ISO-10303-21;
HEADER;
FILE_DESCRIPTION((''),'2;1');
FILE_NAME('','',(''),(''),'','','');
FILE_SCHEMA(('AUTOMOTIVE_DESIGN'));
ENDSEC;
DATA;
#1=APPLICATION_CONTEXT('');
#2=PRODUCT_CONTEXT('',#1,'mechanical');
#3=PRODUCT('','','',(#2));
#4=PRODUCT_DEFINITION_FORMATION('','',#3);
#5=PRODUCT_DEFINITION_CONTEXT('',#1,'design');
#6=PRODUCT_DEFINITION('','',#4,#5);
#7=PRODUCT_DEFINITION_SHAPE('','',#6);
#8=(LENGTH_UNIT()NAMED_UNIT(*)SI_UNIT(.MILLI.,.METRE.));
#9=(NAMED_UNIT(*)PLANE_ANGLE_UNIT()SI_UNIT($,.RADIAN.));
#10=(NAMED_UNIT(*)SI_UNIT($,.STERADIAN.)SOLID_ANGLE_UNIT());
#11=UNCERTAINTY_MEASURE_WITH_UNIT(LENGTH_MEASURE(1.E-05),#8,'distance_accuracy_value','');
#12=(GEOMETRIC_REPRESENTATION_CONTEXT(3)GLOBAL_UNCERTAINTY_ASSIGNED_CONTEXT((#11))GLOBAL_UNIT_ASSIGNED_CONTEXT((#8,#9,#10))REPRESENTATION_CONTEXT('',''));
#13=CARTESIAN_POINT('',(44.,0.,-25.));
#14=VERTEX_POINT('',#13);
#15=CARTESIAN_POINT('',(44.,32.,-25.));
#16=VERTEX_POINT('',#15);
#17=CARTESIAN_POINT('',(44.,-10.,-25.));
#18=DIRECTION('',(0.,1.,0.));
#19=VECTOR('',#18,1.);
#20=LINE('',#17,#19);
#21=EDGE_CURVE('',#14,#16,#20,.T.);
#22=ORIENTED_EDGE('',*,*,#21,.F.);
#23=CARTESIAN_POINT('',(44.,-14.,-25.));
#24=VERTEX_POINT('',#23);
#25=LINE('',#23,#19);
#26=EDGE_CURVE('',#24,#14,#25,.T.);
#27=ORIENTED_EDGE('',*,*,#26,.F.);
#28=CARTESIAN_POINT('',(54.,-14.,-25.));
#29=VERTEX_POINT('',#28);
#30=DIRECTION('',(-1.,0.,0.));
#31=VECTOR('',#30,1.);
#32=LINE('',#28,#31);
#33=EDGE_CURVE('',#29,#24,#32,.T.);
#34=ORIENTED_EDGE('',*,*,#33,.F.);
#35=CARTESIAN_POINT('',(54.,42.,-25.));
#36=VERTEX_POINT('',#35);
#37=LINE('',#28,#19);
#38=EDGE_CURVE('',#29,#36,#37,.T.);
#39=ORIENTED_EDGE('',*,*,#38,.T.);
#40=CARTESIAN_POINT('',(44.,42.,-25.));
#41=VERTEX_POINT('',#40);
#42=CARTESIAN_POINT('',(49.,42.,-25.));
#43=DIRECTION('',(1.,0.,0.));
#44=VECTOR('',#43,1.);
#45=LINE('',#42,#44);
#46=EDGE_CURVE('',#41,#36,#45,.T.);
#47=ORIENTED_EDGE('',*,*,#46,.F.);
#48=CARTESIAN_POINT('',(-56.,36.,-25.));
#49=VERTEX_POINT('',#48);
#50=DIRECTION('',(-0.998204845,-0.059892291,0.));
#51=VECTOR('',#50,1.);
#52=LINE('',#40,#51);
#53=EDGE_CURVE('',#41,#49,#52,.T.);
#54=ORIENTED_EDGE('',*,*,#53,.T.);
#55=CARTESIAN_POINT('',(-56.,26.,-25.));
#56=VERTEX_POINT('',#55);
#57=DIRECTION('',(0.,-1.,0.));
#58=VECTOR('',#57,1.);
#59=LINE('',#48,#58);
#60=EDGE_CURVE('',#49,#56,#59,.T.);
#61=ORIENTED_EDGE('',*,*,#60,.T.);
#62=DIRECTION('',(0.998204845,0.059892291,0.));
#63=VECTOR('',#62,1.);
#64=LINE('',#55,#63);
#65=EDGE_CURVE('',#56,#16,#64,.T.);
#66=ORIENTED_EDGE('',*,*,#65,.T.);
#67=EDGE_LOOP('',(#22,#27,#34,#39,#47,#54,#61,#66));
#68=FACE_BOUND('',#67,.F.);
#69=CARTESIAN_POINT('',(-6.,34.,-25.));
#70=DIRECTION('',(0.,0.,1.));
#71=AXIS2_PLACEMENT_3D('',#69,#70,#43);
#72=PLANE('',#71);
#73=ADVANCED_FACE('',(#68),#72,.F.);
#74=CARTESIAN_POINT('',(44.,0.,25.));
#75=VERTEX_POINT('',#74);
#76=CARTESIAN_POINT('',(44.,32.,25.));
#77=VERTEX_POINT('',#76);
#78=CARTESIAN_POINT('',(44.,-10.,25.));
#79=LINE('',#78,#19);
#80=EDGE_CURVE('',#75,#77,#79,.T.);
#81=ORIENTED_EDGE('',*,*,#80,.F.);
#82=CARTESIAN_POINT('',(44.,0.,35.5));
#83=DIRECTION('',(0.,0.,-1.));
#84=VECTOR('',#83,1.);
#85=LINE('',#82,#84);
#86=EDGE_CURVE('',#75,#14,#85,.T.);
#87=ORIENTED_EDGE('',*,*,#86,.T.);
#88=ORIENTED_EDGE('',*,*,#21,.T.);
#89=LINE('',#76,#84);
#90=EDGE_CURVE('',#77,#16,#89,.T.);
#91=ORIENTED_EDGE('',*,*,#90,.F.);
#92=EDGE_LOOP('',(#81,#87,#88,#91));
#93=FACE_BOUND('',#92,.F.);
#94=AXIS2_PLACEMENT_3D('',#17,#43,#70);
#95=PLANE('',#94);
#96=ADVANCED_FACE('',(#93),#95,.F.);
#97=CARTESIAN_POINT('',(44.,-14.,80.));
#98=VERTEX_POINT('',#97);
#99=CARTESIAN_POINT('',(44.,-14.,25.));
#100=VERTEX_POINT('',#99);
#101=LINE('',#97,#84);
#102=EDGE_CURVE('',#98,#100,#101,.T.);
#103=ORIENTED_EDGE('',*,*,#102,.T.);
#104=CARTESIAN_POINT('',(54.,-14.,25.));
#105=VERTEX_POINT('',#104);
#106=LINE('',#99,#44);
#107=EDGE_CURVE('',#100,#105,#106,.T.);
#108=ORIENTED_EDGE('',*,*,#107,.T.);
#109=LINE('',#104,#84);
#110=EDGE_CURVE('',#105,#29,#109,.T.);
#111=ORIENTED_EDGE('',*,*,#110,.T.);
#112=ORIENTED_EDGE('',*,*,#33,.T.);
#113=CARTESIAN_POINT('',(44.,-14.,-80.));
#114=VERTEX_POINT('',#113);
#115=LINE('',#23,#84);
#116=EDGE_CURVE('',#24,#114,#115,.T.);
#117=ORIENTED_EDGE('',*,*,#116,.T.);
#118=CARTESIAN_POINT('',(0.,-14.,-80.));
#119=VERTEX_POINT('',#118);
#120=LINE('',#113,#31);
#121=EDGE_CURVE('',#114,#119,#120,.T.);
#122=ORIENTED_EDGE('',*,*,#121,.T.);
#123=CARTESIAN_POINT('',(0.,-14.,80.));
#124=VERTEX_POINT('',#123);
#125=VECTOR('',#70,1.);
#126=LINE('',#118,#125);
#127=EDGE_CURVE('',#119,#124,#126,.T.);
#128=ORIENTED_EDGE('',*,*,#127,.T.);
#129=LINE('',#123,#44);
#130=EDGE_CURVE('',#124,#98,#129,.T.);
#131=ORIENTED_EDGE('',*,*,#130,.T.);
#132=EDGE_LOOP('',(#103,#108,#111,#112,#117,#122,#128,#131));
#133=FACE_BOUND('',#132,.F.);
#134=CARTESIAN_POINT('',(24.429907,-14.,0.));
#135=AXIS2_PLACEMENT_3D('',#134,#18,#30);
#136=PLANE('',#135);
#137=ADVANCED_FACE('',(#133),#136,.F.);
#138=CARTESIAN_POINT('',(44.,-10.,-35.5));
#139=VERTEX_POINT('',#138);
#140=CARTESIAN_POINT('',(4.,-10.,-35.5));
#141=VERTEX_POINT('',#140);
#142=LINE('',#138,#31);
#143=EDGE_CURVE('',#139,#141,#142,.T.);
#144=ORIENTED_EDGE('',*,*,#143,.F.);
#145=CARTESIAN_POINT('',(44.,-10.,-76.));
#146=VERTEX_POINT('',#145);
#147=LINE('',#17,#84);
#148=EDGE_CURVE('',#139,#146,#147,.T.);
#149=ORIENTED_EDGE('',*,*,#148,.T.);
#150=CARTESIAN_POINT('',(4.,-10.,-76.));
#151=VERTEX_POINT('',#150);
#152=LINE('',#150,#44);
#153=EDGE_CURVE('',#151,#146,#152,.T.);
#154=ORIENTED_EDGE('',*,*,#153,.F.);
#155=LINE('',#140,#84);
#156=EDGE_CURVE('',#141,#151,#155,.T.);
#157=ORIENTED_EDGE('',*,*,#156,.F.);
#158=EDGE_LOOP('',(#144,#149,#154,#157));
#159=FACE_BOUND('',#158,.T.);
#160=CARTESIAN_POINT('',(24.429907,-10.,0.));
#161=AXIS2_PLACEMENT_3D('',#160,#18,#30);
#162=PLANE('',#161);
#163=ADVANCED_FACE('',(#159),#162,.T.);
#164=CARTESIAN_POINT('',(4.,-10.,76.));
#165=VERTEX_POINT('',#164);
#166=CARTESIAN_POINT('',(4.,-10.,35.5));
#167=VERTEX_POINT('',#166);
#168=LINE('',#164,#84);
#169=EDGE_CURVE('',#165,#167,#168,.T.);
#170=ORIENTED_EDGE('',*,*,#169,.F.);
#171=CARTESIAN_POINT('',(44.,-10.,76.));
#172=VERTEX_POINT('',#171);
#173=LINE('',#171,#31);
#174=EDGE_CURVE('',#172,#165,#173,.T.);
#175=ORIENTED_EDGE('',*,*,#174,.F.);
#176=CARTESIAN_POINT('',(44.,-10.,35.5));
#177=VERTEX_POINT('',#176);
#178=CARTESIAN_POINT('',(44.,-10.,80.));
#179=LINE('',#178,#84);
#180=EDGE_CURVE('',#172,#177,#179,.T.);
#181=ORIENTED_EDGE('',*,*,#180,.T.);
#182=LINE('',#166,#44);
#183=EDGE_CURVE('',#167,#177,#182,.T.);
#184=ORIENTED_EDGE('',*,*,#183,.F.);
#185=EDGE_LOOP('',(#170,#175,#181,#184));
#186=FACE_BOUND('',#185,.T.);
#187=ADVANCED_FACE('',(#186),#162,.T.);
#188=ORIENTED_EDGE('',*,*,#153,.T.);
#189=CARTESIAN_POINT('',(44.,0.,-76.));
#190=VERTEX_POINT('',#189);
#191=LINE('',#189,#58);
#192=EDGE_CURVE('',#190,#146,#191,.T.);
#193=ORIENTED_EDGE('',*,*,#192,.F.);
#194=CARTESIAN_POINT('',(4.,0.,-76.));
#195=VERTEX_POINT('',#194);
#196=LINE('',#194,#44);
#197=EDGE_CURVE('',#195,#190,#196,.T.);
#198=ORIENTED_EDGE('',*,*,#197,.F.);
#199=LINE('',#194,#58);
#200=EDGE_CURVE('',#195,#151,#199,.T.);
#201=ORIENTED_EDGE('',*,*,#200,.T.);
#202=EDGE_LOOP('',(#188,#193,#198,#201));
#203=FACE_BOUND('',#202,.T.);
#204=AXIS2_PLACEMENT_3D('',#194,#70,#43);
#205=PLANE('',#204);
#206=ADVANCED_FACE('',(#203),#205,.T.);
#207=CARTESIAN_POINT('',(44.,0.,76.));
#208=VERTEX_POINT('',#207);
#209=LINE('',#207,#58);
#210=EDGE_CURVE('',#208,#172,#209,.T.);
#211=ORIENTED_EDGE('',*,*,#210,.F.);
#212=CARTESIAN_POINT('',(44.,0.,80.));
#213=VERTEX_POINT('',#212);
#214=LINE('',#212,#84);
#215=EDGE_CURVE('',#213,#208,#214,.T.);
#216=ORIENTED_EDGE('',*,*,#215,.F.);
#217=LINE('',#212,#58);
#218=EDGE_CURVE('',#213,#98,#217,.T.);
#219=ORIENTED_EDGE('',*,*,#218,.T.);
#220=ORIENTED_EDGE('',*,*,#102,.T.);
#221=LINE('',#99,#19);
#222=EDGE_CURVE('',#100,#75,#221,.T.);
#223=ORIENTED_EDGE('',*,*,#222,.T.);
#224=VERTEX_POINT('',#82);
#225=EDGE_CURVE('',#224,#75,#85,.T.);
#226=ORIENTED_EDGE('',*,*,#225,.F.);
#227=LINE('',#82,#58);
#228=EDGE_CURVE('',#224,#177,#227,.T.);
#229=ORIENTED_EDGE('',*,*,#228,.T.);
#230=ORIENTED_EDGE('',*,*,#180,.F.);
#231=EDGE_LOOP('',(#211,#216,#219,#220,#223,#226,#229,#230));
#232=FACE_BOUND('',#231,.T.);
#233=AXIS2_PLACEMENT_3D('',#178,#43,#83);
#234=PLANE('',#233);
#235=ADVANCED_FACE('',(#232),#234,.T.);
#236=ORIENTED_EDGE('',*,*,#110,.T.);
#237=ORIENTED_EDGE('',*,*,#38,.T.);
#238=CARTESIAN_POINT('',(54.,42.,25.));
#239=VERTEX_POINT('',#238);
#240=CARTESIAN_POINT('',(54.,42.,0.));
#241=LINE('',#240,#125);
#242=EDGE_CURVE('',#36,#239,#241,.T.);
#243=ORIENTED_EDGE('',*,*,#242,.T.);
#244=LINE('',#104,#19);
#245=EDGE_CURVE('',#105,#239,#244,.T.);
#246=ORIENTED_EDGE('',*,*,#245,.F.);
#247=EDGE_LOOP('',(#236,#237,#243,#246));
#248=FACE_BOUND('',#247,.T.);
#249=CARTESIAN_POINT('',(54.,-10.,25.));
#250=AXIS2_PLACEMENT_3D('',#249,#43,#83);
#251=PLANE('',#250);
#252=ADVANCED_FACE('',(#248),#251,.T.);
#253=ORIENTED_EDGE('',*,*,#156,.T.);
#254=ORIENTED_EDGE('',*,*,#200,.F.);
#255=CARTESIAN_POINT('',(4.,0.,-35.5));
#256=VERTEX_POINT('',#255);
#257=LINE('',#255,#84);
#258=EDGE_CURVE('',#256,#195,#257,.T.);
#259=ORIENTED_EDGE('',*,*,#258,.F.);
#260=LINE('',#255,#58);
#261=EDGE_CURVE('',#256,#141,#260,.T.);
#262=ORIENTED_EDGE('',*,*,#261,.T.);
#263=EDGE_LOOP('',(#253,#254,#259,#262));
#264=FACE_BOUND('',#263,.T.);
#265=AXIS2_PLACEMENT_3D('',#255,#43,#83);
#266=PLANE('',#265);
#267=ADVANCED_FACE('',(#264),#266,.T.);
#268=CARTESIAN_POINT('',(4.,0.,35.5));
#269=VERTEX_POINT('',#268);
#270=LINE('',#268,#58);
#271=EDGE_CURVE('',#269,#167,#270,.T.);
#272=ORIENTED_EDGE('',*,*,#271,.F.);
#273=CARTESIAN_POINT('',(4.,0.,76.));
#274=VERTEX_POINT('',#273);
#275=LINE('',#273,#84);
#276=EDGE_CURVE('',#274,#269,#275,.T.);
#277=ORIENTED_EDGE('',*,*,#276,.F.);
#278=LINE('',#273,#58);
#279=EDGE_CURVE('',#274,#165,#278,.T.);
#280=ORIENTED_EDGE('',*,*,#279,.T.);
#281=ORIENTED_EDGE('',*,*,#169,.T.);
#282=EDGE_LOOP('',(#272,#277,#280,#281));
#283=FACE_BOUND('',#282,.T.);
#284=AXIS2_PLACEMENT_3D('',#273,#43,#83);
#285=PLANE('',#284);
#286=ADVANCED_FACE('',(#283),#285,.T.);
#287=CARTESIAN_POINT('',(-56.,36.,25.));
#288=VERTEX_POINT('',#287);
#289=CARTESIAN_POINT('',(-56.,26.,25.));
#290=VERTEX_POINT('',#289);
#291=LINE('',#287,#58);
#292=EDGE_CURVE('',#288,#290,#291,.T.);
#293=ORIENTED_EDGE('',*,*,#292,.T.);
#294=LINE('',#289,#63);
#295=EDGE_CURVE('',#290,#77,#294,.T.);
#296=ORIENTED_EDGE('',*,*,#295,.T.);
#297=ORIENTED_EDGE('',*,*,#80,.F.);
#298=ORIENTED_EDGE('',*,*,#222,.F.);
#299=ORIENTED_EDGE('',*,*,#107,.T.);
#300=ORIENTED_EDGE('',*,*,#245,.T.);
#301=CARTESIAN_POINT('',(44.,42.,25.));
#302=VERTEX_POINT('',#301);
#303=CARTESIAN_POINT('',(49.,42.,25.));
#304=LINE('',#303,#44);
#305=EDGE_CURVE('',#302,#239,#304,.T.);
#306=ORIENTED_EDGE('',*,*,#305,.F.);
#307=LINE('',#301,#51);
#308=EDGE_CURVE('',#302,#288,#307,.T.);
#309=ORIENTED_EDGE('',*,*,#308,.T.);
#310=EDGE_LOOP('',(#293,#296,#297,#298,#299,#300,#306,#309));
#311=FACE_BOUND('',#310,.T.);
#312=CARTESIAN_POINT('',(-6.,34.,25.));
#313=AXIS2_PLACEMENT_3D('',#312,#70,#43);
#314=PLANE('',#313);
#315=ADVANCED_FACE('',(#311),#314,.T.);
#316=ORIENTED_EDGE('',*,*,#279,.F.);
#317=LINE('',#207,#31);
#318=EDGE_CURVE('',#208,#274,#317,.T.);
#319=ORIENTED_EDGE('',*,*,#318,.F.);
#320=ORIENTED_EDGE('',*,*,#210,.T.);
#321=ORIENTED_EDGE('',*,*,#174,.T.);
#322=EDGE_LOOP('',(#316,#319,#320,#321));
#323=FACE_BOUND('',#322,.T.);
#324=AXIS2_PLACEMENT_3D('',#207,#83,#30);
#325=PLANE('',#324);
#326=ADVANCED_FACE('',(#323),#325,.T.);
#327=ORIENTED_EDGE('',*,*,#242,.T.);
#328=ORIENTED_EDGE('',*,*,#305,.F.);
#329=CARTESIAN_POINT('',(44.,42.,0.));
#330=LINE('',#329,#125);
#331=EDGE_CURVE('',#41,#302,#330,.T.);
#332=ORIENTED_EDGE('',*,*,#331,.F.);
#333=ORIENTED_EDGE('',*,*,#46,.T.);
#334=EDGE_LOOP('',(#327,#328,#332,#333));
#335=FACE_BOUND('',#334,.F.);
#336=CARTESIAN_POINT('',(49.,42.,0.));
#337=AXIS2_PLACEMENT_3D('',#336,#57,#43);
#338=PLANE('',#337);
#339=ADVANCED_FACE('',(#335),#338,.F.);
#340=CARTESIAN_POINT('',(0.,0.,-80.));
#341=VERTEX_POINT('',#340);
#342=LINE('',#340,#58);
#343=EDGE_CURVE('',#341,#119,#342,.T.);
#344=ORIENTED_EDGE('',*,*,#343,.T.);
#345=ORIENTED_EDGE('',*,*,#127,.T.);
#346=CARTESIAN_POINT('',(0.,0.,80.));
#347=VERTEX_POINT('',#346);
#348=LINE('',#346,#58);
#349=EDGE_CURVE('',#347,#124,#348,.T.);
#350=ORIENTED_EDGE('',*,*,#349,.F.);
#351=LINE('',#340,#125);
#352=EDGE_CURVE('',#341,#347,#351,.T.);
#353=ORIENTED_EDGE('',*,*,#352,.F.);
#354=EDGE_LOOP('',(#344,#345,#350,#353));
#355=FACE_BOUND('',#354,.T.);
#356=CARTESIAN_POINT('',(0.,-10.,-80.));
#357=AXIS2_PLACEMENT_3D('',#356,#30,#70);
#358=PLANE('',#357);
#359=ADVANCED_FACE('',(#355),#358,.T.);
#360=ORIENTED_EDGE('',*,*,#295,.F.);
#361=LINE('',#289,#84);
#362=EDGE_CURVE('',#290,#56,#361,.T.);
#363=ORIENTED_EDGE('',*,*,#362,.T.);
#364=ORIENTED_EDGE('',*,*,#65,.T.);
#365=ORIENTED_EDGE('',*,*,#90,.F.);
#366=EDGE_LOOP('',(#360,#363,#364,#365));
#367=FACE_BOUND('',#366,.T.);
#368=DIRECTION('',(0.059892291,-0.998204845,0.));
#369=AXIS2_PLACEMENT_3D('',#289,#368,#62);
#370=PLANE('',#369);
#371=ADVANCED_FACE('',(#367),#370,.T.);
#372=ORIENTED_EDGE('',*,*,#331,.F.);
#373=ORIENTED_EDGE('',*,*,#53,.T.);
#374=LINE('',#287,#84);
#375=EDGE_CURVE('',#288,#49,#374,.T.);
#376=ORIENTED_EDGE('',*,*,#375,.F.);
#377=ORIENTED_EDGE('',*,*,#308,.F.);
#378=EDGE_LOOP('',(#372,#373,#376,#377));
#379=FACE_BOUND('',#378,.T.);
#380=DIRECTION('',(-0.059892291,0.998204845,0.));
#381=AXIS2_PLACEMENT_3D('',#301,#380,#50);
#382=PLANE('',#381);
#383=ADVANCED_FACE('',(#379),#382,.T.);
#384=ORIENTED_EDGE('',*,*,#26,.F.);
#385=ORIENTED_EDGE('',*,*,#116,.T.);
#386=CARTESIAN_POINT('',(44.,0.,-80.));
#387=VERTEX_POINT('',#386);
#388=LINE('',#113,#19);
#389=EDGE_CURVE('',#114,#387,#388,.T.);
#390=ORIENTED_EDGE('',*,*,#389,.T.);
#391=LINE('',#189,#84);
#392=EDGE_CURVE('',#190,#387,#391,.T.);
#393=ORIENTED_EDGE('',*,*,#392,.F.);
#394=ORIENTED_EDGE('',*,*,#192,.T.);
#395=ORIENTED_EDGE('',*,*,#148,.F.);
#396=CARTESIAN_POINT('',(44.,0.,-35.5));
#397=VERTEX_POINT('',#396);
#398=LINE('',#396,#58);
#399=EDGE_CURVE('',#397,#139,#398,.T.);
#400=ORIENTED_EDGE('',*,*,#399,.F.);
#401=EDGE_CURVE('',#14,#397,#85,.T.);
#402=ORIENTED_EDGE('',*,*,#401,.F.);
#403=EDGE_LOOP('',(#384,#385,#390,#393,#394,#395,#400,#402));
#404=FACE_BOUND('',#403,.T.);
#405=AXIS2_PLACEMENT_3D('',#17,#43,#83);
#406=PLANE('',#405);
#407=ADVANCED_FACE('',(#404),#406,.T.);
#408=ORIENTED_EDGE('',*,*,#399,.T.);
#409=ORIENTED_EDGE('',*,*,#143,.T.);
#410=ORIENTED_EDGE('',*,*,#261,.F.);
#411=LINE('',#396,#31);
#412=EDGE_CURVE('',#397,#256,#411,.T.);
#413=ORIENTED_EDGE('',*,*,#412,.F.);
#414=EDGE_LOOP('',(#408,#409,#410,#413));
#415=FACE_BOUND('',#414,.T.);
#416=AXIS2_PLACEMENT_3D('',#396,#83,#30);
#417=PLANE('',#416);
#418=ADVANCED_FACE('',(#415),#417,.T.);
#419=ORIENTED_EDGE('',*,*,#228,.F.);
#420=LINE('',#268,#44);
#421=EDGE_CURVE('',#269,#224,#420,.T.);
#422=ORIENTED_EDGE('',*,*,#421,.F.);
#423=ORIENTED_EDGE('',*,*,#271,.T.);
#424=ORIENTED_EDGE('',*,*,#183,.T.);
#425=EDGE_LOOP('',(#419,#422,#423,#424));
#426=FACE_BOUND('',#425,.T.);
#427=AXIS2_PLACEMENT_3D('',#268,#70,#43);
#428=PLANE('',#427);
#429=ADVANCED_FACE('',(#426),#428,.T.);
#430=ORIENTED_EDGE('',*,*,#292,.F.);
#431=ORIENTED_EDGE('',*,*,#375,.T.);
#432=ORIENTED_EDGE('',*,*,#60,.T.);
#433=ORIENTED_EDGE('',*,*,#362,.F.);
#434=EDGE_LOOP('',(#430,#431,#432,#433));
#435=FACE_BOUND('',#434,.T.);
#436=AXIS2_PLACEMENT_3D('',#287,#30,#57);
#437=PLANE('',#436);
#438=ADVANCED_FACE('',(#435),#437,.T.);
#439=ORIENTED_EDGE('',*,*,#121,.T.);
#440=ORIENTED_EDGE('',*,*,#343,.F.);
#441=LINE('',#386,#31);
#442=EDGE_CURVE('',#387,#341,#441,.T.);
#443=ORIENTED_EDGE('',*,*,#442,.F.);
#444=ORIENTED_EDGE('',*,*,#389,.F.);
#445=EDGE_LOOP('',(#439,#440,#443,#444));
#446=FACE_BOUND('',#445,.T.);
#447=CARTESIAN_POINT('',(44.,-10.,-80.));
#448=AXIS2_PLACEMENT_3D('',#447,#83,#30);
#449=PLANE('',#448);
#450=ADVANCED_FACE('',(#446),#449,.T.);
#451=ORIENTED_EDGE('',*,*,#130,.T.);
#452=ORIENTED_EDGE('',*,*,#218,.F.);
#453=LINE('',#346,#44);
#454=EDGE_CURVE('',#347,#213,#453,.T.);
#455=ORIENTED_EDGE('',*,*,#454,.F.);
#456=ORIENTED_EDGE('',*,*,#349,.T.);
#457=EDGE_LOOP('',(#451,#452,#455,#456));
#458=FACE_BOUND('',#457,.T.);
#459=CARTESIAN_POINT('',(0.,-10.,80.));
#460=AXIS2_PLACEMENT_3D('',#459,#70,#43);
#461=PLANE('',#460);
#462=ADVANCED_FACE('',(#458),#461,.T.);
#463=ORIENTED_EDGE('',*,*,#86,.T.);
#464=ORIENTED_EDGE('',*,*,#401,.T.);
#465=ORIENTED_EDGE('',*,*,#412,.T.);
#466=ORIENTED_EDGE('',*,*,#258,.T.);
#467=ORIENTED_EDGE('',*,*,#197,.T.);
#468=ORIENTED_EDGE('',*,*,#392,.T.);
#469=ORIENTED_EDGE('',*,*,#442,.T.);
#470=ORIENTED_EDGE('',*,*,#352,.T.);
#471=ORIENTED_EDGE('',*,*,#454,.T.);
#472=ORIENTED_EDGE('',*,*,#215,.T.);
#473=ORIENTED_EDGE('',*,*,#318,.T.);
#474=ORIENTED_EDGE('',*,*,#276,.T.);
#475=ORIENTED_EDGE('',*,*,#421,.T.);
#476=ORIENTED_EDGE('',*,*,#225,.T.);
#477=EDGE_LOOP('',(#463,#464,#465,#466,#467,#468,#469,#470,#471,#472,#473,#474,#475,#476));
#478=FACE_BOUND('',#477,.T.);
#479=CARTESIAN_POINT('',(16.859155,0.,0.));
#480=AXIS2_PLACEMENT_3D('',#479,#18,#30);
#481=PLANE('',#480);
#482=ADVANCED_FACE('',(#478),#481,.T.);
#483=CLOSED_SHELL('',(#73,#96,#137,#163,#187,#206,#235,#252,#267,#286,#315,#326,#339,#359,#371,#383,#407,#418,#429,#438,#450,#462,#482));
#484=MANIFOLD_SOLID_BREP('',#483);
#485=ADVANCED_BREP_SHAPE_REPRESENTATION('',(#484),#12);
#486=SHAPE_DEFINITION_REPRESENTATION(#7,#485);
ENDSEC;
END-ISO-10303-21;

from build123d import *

# Parameters (mm, degrees)
PAD_DEPTH    = 10
SKETCH001_W  = 10
SKETCH001_H  = 50
PAD001_DEPTH = 52
PAD002_DEPTH = 4
PAD003_DEPTH = 50


with BuildPart() as part:
    # Sketch → Pad (new body)
    with BuildSketch(Plane.XZ):
        Polygon((44, 76), (4, 76), (4, 35.5), (44, 35.5), (44, -35.5), (4, -35.5), (4, -76), (44, -76), (44, -80), (0, -80), (0, 80), (44, 80), align=None)
    extrude(amount=PAD_DEPTH)

    # Sketch001 (on Face14 of Pad) → Pad001 (join)
    with BuildSketch(Plane.XZ.offset(10)):
        with Locations((49, 0)):
            Rectangle(SKETCH001_W, SKETCH001_H)
    extrude(amount=-PAD001_DEPTH)

    # Sketch002 (on Face20 of Pad001) → Pad002 (join)
    with BuildSketch(Plane.XZ.offset(10)):
        Polygon((44, 80), (44, 25), (54, 25), (54, -25), (44, -25), (44, -80), (0, -80), (0, 80), align=None)
    extrude(amount=PAD002_DEPTH)

    # Sketch003 (on Face20 of Pad002) → Pad003 (join)
    with BuildSketch(Plane.XY.offset(25)):
        Polygon((44, 42), (-56, 36), (-56, 26), (44, 32), align=None)
    extrude(amount=-PAD003_DEPTH)


solid = part.part
